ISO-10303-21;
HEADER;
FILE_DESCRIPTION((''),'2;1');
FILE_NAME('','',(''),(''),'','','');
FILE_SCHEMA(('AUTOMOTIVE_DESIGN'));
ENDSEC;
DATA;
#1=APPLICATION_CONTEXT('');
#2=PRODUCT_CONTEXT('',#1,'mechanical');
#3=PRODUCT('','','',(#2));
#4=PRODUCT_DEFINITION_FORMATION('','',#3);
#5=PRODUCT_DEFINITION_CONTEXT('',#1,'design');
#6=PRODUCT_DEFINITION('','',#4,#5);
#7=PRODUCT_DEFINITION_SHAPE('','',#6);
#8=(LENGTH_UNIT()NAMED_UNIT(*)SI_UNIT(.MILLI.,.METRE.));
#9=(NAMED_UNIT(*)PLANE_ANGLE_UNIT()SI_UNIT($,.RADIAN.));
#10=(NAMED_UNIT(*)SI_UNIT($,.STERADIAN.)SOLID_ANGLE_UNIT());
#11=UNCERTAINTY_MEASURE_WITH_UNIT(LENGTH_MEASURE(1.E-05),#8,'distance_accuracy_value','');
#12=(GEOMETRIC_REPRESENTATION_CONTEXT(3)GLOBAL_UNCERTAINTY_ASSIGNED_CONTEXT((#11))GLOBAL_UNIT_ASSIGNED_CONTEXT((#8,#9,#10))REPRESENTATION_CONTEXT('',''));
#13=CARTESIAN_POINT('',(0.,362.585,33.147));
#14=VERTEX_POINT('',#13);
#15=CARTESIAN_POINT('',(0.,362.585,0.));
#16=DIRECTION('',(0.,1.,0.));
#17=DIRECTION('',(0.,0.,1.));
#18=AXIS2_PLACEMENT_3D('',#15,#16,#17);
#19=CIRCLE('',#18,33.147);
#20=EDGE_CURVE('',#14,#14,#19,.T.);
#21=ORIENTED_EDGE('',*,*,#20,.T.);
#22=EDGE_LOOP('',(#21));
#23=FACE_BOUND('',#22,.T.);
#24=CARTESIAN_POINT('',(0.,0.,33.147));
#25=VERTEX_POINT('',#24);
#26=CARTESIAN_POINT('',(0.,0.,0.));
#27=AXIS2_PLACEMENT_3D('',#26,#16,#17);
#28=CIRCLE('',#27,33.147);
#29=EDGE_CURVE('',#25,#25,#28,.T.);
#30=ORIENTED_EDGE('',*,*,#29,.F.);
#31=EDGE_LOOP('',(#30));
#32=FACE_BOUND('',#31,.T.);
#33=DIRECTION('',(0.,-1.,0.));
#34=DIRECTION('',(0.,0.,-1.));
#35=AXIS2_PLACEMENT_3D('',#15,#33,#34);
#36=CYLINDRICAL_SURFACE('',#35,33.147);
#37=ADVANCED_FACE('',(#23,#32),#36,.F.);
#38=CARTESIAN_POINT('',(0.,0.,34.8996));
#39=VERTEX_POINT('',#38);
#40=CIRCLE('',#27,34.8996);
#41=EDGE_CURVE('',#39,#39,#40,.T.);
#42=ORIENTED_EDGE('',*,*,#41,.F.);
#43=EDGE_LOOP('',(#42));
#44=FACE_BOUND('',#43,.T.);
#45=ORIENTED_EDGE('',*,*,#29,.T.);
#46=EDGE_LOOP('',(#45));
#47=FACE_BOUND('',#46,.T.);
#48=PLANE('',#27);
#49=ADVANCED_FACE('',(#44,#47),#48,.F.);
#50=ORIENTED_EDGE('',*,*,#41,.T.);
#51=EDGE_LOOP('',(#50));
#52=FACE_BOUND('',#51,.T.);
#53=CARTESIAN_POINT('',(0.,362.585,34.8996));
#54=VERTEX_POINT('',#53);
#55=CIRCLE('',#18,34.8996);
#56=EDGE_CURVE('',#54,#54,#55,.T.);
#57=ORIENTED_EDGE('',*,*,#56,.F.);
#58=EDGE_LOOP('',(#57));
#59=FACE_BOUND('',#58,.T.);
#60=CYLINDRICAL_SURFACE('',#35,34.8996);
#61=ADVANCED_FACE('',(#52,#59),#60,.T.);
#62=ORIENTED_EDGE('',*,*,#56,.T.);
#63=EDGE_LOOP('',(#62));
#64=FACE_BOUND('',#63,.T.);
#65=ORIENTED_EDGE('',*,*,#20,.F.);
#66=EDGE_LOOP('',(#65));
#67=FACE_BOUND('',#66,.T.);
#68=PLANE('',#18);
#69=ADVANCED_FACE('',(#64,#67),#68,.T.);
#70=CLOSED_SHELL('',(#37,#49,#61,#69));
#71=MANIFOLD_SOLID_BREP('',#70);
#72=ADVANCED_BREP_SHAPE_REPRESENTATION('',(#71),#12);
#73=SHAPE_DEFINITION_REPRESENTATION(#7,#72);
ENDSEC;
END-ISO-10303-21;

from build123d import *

# Parameters (mm, degrees)
SKETCH1_R           = 34.8996
SKETCH1_R_2         = 33.147
BOSS_EXTRUDE1_DEPTH = 362.585


with BuildPart() as part:
    # Sketch1 → Boss-Extrude1 (new body)
    with BuildSketch(Plane(origin=(0, 0, 0), x_dir=(1, 0, 0), z_dir=(0, 1, 0))):
        Circle(SKETCH1_R)
        Circle(SKETCH1_R_2, mode=Mode.SUBTRACT)
    extrude(amount=BOSS_EXTRUDE1_DEPTH)


solid = part.part
